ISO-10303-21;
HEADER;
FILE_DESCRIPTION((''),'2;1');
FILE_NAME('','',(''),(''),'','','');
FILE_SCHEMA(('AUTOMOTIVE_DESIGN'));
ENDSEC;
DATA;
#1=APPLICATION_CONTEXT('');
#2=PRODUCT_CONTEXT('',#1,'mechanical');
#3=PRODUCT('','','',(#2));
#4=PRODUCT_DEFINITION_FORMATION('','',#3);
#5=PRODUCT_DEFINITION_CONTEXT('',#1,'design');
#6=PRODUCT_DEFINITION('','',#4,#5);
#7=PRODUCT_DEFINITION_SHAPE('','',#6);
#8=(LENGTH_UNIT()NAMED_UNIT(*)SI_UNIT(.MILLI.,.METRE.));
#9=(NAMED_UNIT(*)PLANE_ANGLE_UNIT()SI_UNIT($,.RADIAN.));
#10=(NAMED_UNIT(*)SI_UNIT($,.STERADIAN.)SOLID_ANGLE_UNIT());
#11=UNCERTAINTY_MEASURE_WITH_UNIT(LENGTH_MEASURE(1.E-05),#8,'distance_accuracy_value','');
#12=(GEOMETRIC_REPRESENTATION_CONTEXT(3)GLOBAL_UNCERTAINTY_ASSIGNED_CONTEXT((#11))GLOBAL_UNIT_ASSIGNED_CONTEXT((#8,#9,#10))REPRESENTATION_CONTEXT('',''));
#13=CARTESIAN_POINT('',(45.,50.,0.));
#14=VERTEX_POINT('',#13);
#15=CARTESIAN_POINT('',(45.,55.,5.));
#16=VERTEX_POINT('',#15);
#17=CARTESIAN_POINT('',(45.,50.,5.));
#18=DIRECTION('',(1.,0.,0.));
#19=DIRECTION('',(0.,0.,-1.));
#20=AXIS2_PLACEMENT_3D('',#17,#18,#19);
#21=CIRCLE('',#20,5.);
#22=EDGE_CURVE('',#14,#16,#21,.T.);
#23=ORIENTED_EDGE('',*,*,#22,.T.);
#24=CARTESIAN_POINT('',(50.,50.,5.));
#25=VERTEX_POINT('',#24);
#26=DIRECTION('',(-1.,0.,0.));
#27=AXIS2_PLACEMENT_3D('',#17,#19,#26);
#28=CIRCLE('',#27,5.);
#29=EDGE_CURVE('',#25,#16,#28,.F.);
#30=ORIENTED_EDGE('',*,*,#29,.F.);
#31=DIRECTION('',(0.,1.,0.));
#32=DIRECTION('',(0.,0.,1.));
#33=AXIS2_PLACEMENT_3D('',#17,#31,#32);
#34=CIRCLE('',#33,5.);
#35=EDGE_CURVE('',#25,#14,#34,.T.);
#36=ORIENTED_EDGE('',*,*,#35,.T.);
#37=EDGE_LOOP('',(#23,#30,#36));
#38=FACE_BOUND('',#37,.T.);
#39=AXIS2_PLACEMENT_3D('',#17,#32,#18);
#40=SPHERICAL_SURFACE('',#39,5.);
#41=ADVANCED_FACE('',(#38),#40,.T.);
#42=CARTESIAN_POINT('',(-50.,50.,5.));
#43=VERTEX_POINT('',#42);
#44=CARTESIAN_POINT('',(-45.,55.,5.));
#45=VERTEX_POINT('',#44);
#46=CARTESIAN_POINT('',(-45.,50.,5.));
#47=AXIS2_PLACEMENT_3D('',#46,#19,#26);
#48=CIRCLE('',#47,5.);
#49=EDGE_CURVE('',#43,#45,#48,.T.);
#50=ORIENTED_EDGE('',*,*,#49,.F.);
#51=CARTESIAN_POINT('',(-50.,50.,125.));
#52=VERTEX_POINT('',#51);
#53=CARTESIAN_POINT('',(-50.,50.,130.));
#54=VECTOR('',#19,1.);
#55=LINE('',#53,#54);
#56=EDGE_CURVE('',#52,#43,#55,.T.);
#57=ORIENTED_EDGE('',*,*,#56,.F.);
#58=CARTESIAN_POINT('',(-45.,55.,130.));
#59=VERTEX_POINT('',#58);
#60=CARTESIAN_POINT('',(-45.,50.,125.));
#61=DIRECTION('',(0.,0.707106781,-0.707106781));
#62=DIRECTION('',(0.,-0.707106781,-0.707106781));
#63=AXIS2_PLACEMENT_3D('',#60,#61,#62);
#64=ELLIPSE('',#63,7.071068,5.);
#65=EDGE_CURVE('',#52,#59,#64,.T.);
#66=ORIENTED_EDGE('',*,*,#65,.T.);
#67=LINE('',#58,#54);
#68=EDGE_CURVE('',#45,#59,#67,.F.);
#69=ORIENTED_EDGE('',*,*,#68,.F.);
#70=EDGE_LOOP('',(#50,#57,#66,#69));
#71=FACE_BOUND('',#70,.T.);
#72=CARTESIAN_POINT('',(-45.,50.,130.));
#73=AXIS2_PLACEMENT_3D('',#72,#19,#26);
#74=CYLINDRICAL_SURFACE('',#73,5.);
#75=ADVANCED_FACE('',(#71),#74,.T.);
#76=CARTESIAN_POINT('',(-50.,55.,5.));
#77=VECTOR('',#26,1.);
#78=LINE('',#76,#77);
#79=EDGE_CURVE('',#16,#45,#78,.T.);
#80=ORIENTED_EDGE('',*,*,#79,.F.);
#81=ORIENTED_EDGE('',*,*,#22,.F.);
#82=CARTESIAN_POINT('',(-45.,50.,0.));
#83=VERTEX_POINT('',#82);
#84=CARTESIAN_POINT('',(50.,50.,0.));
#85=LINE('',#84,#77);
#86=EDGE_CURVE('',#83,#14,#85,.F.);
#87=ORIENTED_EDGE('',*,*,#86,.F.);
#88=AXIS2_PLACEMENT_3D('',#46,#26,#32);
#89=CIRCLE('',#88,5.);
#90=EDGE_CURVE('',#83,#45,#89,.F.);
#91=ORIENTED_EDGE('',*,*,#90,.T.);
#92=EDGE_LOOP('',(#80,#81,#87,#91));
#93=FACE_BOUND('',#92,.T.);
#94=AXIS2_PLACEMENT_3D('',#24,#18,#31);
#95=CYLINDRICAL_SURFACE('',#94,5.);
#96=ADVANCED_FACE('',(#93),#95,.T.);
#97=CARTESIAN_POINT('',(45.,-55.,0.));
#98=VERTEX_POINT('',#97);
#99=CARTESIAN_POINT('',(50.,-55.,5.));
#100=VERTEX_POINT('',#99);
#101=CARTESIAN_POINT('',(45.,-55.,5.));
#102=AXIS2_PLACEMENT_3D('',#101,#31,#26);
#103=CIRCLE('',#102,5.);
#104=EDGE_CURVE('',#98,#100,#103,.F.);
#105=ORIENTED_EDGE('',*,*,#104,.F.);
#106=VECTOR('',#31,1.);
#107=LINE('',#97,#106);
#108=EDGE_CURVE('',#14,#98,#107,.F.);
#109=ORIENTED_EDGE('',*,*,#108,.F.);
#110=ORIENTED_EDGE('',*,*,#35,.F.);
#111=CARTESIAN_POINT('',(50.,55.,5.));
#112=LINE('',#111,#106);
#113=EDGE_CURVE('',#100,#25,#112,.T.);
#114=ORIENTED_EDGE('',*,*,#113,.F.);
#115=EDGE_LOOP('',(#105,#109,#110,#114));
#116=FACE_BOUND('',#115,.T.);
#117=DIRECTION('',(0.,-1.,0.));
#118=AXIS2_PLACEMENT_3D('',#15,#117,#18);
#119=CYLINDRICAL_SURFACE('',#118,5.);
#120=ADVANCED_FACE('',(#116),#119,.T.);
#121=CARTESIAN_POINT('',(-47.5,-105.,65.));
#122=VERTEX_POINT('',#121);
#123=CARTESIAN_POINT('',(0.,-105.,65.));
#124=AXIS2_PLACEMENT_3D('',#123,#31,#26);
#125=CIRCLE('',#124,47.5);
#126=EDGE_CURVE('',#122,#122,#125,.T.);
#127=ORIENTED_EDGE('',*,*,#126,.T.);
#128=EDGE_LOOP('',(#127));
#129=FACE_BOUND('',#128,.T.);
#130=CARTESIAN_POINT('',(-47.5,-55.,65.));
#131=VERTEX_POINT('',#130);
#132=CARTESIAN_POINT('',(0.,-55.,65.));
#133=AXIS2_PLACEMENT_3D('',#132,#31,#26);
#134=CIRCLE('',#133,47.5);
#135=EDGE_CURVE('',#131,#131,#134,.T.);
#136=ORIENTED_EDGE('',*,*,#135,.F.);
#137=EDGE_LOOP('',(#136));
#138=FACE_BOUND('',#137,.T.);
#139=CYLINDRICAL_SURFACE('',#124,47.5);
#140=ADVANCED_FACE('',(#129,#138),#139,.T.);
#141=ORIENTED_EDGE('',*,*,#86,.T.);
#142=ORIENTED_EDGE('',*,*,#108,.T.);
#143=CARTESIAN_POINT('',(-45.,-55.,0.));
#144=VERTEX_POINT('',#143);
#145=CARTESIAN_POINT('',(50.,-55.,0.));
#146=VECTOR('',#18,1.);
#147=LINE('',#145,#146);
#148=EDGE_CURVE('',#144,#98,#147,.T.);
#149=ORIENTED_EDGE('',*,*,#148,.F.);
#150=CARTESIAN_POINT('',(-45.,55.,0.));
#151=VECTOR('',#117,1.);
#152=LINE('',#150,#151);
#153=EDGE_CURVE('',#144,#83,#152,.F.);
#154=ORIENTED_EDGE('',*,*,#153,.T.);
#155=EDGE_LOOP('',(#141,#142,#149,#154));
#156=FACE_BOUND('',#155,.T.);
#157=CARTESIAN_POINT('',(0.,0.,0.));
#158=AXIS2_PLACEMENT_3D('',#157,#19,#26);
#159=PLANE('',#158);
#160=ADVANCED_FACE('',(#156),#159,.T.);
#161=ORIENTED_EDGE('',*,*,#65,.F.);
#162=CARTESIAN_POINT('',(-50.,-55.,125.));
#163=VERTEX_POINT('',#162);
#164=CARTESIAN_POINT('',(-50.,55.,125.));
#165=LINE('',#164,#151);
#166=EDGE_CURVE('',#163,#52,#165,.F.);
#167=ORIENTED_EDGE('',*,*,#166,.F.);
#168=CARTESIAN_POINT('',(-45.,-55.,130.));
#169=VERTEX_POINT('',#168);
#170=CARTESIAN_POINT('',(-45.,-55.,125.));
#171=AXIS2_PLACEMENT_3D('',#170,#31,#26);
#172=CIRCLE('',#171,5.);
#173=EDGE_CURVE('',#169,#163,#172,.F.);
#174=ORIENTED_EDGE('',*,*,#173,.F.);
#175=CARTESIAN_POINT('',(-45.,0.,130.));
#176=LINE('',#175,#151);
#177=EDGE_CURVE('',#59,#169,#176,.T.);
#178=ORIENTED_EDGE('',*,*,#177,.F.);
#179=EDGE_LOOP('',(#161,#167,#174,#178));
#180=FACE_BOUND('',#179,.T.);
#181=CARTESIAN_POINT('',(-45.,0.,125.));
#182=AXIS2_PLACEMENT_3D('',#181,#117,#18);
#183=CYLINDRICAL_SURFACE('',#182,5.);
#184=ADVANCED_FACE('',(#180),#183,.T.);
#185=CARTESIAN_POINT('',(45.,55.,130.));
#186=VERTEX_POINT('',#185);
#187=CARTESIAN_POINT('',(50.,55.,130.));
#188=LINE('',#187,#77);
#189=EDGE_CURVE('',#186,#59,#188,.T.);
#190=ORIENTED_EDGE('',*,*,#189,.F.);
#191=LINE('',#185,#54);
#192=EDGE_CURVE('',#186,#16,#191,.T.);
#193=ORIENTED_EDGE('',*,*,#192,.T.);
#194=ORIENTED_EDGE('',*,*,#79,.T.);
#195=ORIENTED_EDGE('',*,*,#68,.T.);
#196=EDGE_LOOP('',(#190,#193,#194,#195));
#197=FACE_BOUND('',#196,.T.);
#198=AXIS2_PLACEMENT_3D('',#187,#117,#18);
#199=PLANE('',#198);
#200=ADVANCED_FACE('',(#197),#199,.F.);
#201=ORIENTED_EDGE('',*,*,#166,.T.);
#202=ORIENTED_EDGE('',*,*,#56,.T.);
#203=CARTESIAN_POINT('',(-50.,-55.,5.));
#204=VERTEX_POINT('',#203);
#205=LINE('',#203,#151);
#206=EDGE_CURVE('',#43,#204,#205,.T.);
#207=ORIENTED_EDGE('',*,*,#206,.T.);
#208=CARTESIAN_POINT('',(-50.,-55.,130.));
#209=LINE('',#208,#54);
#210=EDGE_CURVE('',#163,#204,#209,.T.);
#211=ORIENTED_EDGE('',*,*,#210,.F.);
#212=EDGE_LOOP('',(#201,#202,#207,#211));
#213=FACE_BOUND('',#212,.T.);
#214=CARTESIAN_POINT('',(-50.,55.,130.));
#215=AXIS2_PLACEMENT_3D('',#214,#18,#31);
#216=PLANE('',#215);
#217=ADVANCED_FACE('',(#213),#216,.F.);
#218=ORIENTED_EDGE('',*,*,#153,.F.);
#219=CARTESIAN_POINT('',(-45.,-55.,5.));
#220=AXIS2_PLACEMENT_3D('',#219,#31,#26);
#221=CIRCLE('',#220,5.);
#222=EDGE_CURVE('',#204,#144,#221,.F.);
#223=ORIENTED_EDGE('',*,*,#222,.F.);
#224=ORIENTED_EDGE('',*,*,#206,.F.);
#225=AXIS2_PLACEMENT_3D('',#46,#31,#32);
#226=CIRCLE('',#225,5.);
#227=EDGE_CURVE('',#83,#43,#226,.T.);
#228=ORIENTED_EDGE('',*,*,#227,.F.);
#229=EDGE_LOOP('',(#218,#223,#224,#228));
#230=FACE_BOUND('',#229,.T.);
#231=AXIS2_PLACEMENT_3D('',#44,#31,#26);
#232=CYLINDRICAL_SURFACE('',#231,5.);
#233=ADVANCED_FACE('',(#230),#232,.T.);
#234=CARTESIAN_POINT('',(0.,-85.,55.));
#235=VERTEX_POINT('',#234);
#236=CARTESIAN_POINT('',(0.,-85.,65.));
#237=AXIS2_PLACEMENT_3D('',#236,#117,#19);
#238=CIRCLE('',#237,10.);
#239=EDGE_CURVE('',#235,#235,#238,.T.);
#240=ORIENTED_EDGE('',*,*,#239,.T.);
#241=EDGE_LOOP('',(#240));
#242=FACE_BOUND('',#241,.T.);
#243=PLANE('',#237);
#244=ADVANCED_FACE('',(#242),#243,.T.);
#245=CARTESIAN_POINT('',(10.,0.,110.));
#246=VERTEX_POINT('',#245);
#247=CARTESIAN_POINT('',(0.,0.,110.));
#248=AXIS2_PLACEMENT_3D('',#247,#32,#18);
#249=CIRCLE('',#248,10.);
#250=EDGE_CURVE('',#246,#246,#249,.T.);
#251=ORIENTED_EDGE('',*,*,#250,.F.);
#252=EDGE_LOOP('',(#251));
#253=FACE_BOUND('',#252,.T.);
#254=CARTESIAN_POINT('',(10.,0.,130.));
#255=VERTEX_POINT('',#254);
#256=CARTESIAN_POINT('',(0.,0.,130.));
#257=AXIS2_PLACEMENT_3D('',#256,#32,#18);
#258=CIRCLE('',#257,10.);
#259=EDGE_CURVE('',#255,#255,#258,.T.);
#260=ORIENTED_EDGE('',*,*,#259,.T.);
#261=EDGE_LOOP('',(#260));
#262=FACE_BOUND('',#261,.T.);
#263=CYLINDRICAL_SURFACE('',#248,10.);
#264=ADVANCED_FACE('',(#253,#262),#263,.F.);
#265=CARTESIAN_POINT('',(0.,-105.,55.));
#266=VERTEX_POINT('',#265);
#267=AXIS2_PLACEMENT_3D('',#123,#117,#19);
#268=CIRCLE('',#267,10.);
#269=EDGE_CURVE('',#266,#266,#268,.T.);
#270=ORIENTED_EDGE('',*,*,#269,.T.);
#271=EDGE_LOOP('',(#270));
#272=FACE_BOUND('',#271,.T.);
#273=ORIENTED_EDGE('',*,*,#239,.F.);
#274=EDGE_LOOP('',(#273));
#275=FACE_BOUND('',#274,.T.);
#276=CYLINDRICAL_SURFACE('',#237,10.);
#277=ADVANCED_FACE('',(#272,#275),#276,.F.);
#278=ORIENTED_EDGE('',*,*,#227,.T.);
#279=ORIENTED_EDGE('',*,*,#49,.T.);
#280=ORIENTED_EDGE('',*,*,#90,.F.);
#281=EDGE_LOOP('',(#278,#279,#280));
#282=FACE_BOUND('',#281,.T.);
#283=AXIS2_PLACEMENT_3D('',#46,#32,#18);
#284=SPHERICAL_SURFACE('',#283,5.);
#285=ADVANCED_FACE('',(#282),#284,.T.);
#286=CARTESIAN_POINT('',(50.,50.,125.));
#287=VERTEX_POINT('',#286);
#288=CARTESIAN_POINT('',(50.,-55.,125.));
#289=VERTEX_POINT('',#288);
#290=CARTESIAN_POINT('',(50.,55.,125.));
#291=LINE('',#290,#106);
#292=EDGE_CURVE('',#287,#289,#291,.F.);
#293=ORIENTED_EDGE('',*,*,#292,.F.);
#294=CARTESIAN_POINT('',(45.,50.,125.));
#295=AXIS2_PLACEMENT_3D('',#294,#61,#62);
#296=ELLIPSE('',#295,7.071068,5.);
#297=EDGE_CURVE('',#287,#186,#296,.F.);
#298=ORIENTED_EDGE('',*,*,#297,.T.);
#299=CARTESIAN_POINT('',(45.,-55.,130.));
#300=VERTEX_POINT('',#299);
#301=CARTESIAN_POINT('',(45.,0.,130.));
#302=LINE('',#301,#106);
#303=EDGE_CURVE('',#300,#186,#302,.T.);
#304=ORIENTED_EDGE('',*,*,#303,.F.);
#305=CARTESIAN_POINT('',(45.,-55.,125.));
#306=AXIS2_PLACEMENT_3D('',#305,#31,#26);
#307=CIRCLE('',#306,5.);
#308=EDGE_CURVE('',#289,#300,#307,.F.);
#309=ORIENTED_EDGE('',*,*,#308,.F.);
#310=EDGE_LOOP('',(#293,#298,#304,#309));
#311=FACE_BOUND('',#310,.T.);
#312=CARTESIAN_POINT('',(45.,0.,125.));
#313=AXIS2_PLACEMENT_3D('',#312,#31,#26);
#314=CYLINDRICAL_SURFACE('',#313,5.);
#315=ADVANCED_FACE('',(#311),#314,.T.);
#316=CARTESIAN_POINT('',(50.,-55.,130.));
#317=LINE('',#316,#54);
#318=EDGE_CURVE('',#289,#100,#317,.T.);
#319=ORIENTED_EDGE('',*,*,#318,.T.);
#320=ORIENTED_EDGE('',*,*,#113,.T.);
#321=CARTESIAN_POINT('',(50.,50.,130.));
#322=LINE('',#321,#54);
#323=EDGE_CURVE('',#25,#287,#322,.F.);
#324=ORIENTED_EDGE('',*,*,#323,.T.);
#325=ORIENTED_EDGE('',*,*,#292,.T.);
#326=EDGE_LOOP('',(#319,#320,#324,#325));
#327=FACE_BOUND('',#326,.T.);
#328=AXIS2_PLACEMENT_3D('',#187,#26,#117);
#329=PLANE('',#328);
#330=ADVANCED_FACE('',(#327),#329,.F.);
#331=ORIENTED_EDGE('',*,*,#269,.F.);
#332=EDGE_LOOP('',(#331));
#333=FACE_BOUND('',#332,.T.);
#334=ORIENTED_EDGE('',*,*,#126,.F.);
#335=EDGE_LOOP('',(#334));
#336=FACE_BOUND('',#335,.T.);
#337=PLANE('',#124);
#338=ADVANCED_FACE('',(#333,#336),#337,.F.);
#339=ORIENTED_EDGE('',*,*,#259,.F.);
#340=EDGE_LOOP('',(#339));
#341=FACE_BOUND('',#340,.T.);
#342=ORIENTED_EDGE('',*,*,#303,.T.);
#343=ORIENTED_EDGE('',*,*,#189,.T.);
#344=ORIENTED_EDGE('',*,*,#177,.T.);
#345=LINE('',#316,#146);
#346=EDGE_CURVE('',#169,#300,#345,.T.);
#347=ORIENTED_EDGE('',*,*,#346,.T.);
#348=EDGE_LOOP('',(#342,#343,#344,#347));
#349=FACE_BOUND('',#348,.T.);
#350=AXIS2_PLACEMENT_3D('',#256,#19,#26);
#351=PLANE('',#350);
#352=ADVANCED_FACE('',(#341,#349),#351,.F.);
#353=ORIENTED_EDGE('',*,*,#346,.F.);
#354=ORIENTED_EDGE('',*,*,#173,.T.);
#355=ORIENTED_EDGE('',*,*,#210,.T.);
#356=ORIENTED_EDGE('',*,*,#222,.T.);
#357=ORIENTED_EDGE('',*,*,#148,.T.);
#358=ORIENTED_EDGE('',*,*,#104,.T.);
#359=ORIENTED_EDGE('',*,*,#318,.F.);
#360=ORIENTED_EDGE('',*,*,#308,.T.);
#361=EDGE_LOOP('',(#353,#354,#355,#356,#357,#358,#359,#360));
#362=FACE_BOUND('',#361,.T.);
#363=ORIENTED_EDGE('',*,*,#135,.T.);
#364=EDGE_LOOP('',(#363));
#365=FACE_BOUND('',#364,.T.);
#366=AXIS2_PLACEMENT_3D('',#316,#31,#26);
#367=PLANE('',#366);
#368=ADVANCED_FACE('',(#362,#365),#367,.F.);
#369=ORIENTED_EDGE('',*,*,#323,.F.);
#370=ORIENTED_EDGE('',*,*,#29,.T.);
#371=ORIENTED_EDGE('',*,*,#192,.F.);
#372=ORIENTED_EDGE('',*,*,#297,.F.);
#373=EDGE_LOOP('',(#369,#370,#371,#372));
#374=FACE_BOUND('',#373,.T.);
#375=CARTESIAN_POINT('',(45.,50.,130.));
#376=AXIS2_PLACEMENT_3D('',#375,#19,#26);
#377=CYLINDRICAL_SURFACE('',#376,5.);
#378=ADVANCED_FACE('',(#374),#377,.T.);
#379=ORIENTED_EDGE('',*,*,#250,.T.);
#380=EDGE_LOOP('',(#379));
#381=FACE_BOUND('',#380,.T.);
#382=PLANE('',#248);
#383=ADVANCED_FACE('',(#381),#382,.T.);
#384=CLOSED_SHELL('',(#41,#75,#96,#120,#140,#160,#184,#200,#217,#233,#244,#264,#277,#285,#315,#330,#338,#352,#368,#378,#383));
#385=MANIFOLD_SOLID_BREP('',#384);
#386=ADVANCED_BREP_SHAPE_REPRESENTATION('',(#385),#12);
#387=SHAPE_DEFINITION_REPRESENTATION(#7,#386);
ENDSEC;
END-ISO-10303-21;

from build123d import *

# Parameters (mm, degrees)
SKETCH1_W           = 100
SKETCH1_H           = 110
BOSS_EXTRUDE1_DEPTH = 130
SKETCH2_R           = 47.5
BOSS_EXTRUDE2_DEPTH = 50
SKETCH4_R           = 10
CUT_EXTRUDE3_DEPTH  = 20
SKETCH5_R           = 10
CUT_EXTRUDE4_DEPTH  = 20
FILLET1_R           = 5


with BuildPart() as part:
    # Sketch1 → Boss-Extrude1 (new body)
    with BuildSketch(Plane.XY):
        Rectangle(SKETCH1_W, SKETCH1_H)
    extrude(amount=BOSS_EXTRUDE1_DEPTH)

    # Sketch2 → Boss-Extrude2 (add)
    with BuildSketch(Plane(origin=(0, -55, 0), x_dir=(1, 0, 0), z_dir=(0, 1, 0))):
        with Locations(Location((0, -65, 0), (0, 0, 180))):
            Circle(SKETCH2_R)
    extrude(amount=-BOSS_EXTRUDE2_DEPTH)

    # Sketch4 → Cut-Extrude3 (cut)
    with BuildSketch(Plane.XZ.offset(105)):
        with Locations(Location((0, 65, 0), (0, 0, 270))):
            Circle(SKETCH4_R)
    extrude(amount=-CUT_EXTRUDE3_DEPTH, mode=Mode.SUBTRACT)

    # Sketch5 → Cut-Extrude4 (cut)
    with BuildSketch(Plane.XY.offset(130)):
        Circle(SKETCH5_R)
    extrude(amount=-CUT_EXTRUDE4_DEPTH, mode=Mode.SUBTRACT)

    # Fillet1
    fillet1_edges = [part.edges().sort_by_distance(p)[0] for p in [
        (50, 0, 130),
        (-50, 0, 130),
        (0, 55, 0),
        (50, 0, 0),
        (-50, 0, 0),
        (-50, 55, 65),
        (50, 55, 65),
    ]]
    fillet(fillet1_edges, radius=FILLET1_R)


solid = part.part
